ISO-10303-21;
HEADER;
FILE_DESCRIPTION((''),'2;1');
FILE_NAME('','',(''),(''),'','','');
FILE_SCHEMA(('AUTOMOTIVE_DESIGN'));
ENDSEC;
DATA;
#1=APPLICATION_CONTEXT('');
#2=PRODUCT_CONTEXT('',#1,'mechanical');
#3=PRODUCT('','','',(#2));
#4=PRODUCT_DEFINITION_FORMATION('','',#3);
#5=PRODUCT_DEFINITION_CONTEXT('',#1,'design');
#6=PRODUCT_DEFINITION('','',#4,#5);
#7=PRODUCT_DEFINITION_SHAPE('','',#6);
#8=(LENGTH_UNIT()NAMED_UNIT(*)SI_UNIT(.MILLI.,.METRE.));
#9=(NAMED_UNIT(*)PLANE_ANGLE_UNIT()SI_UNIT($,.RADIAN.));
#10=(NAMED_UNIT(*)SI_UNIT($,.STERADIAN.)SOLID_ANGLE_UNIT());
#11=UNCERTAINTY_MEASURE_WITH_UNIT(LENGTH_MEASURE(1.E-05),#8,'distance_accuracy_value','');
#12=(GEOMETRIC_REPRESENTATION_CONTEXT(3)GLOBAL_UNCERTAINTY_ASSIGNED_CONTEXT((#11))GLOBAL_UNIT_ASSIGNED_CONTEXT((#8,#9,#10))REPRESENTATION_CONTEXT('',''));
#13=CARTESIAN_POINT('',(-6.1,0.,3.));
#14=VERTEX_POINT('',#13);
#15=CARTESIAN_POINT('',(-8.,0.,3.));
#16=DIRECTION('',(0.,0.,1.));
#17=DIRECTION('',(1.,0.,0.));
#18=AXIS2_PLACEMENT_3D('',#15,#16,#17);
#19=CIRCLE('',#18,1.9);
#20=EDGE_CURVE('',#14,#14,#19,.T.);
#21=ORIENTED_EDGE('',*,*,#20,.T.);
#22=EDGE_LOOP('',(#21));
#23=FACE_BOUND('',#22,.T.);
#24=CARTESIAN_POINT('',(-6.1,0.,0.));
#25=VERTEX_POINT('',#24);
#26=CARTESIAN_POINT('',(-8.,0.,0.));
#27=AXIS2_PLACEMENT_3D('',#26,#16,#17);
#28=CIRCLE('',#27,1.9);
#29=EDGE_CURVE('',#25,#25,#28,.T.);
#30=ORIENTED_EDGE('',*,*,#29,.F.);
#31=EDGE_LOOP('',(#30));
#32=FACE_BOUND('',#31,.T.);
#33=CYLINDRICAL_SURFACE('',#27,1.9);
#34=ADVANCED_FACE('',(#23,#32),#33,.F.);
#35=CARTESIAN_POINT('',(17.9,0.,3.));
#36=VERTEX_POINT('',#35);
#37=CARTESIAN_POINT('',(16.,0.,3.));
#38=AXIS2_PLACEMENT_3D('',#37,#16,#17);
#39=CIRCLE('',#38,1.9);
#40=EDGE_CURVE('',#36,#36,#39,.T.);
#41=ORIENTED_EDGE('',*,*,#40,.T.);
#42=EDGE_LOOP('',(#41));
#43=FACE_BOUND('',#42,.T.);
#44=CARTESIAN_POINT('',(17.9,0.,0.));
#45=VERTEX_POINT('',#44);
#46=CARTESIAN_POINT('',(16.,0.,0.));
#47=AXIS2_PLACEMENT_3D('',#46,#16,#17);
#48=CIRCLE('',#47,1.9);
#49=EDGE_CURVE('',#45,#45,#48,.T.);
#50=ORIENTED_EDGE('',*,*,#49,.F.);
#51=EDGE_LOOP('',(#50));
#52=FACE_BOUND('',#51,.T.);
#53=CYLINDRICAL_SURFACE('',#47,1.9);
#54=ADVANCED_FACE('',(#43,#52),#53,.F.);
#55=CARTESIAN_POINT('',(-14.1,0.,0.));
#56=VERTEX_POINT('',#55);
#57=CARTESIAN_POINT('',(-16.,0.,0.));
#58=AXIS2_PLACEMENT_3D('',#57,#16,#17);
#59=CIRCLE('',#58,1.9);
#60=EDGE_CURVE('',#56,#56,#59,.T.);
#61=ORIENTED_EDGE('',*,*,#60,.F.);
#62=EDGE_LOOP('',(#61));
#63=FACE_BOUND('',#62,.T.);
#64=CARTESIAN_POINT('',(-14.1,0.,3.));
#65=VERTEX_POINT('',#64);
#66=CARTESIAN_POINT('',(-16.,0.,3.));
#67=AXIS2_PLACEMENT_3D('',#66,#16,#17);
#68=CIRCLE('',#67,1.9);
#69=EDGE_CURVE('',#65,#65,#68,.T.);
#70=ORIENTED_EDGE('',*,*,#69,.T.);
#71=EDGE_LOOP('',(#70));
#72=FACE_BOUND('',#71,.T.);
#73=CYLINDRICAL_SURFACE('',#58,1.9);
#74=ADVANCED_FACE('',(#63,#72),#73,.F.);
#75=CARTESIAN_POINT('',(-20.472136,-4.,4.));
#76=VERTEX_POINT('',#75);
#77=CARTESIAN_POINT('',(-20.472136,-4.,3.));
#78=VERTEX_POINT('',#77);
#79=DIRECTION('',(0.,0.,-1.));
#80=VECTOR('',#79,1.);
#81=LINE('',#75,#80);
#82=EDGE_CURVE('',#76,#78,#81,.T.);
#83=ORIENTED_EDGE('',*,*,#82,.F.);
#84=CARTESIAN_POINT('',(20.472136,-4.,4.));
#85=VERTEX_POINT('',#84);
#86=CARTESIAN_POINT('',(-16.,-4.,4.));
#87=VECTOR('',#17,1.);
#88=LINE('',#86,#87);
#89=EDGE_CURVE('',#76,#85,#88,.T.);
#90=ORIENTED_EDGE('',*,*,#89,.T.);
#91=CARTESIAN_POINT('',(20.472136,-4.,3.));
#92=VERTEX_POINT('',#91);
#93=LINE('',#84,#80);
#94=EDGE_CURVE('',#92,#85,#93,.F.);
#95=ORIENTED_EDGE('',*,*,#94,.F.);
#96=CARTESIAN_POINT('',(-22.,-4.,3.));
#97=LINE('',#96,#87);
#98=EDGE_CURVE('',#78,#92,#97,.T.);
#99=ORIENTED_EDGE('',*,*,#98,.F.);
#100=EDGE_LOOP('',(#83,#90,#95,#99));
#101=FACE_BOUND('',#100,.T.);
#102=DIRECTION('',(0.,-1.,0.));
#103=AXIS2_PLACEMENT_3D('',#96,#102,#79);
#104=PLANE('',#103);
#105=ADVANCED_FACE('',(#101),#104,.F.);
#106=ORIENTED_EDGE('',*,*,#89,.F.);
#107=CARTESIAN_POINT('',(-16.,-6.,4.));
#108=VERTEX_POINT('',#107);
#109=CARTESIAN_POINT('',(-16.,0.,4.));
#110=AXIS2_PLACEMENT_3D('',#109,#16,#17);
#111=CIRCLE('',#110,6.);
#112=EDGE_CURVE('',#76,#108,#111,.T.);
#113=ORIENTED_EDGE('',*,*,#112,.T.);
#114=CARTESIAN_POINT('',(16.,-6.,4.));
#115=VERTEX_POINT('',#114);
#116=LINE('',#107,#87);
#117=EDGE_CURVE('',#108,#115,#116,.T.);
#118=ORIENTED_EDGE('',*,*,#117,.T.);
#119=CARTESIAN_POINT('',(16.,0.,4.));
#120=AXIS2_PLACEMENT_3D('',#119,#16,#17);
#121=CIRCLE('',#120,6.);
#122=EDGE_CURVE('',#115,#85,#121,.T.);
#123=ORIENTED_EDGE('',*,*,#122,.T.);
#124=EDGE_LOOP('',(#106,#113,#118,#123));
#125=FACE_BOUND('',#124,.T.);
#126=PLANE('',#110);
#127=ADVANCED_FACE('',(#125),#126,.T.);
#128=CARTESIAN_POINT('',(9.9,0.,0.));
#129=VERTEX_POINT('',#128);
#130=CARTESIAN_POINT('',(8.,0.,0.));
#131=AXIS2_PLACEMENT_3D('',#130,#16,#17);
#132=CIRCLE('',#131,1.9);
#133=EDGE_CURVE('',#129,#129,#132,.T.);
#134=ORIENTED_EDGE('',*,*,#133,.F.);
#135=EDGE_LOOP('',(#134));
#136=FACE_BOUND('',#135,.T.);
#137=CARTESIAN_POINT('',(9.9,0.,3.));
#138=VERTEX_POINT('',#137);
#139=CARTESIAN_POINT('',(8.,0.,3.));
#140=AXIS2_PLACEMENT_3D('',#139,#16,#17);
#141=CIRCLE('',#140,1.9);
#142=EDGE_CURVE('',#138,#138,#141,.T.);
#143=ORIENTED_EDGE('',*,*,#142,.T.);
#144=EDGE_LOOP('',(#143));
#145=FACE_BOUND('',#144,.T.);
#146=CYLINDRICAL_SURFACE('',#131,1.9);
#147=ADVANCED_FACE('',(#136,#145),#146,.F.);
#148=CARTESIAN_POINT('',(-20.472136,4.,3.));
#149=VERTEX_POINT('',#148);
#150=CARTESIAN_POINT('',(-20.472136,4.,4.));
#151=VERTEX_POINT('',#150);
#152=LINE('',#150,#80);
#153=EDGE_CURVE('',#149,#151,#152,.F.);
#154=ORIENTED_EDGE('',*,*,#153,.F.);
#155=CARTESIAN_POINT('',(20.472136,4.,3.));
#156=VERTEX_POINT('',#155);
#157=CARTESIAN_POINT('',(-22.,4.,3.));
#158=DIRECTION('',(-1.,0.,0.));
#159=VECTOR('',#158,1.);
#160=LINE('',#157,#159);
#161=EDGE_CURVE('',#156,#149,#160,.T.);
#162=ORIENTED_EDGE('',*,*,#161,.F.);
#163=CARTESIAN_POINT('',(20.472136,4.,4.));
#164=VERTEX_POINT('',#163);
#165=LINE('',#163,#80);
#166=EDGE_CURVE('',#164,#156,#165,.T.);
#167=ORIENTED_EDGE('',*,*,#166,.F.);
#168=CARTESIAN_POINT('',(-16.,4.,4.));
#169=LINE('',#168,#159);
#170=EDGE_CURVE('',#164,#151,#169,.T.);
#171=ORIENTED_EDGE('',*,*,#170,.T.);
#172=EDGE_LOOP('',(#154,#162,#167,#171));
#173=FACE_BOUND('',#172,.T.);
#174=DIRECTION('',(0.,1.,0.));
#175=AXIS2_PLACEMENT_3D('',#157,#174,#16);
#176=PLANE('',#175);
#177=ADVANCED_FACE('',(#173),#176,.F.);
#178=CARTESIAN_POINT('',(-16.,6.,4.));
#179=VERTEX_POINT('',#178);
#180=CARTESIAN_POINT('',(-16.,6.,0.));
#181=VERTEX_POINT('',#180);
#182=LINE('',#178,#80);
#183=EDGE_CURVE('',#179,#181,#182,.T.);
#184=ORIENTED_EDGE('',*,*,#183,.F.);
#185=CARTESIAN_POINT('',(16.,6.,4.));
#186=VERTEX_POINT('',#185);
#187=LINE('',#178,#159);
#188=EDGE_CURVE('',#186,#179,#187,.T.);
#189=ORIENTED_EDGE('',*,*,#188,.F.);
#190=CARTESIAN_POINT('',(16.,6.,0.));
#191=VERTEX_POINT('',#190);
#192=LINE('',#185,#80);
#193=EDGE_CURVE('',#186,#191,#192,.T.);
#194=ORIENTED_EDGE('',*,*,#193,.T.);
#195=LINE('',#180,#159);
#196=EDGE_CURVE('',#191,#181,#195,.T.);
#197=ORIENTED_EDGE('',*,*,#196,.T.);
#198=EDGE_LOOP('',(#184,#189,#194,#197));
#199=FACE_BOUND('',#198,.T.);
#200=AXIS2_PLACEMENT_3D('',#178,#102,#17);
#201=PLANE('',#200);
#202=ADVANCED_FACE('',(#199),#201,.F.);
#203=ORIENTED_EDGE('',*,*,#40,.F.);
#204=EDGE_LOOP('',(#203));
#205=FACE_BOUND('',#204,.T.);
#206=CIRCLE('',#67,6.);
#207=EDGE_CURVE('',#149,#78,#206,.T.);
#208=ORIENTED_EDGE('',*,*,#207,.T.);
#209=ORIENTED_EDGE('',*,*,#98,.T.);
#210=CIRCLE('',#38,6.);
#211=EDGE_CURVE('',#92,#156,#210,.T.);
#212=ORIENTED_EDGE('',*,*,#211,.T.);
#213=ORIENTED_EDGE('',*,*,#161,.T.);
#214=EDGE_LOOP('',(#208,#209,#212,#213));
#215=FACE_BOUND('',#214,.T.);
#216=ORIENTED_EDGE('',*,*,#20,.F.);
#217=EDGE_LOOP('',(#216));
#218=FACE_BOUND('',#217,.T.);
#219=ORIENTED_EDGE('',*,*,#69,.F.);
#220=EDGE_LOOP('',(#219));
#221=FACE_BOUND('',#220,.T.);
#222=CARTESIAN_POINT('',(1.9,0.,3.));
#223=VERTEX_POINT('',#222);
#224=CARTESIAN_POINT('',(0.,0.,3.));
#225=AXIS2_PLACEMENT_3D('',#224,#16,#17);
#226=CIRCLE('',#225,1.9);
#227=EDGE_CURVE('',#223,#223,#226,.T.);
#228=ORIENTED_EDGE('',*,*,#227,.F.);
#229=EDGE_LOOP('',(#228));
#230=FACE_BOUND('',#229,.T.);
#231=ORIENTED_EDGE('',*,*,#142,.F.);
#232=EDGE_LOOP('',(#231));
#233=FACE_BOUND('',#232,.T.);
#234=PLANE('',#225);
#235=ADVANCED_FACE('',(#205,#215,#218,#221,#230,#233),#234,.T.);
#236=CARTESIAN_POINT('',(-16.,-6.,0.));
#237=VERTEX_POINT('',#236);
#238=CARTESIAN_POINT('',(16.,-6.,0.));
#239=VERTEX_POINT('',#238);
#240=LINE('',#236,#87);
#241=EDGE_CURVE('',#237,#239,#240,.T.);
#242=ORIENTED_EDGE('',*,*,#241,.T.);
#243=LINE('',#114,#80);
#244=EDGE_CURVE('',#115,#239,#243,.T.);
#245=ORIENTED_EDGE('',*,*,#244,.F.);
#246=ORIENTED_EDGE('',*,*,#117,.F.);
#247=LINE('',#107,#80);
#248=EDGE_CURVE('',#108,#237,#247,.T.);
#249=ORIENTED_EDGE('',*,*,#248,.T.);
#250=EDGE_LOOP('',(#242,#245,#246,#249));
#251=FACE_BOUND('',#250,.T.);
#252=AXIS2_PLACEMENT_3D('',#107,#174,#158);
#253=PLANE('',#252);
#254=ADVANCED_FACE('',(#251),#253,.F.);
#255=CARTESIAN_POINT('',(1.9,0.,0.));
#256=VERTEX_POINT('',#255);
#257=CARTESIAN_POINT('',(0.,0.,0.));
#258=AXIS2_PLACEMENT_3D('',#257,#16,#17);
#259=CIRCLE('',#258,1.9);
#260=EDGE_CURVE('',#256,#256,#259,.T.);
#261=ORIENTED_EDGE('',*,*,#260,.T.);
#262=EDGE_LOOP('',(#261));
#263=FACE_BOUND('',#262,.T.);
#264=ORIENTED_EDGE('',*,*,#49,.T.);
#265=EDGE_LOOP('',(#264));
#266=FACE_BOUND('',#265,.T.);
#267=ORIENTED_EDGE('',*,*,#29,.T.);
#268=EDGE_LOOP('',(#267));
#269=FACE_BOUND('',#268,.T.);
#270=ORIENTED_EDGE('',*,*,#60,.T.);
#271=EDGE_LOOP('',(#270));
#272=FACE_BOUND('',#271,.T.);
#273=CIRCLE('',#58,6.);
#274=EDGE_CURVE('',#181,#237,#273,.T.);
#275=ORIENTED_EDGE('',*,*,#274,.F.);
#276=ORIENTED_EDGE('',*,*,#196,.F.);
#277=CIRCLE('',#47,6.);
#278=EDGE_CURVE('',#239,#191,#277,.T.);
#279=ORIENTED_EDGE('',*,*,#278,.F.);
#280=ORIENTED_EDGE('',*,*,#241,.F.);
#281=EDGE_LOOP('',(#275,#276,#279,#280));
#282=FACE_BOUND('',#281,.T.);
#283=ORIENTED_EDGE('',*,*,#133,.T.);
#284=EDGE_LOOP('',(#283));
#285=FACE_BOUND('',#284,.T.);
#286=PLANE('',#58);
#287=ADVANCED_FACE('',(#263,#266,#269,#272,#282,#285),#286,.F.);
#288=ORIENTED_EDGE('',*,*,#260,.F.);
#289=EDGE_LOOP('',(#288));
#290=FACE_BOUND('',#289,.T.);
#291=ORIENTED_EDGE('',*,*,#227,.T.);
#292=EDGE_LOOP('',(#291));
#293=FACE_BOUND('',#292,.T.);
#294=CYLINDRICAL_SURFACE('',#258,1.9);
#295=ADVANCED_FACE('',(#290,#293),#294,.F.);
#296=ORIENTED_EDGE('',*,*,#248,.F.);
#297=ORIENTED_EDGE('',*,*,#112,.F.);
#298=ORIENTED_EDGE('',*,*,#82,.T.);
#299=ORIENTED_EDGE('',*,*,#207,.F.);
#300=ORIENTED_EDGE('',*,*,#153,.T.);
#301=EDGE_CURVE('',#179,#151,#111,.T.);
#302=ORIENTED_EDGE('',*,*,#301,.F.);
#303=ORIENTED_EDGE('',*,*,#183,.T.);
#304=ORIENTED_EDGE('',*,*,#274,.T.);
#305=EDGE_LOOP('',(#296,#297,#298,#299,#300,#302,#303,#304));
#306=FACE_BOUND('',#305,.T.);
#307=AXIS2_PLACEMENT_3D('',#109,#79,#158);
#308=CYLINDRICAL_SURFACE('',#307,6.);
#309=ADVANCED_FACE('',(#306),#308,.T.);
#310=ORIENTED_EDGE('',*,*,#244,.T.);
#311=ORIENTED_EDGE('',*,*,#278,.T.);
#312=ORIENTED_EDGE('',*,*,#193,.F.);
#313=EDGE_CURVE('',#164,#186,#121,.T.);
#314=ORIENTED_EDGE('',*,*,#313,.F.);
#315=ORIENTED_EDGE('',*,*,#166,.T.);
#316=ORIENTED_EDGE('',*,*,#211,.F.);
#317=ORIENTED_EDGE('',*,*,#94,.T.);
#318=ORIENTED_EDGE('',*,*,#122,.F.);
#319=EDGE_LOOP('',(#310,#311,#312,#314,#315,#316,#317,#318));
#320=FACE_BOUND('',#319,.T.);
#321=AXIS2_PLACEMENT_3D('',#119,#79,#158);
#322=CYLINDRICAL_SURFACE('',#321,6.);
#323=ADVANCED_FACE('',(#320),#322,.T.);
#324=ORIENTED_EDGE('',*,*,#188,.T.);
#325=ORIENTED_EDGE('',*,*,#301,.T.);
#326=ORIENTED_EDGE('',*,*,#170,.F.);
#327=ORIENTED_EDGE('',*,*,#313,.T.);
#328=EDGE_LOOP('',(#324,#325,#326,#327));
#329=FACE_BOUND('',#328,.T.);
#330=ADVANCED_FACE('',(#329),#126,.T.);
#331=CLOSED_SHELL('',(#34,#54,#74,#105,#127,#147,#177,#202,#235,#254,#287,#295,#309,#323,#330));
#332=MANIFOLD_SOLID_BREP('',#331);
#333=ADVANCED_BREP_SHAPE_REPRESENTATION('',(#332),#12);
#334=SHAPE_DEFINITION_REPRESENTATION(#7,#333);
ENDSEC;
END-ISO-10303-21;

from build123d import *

# Parameters (mm, degrees)
EXTRUDE_1_DEPTH        = 4
SKETCH_2_W             = 44
SKETCH_2_H             = 8
CUT_EXTRUDE_1_DEPTH    = 1
SKETCH_3_R             = 1.9
CUT_EXTRUDE_2_DEPTH    = 3
PATTERN_LINEAR_1_COUNT = 5
PATTERN_LINEAR_1_PITCH = 8


with BuildPart() as part:
    # 草图1 → 凸台-拉伸1 (new body)
    with BuildSketch(Plane.XY):
        with BuildLine():
            Line((-16, 6), (16, 6))
            ThreePointArc((16, 6), (22, 0), (16, -6))
            Line((16, -6), (-16, -6))
            ThreePointArc((-16, -6), (-22, 0), (-16, 6))
        make_face()
    extrude(amount=EXTRUDE_1_DEPTH)

    # 草图2 → 切除-拉伸1 (cut)
    with BuildSketch(Plane.XY.offset(4)):
        Rectangle(SKETCH_2_W, SKETCH_2_H)
    extrude(amount=-CUT_EXTRUDE_1_DEPTH, mode=Mode.SUBTRACT)

    # 草图3 → 切除-拉伸2 (cut)
    with BuildSketch(Plane.XY.offset(3)):
        with Locations((-16, 0)):
            Circle(SKETCH_3_R)
    cut_extrude_2 = extrude(amount=-CUT_EXTRUDE_2_DEPTH, mode=Mode.SUBTRACT)

    # 阵列(线性)1: 切除-拉伸2 ×5
    with Locations(*[(i * PATTERN_LINEAR_1_PITCH, 0, 0) for i in range(1, PATTERN_LINEAR_1_COUNT)]):
        add(cut_extrude_2, mode=Mode.SUBTRACT)


solid = part.part
